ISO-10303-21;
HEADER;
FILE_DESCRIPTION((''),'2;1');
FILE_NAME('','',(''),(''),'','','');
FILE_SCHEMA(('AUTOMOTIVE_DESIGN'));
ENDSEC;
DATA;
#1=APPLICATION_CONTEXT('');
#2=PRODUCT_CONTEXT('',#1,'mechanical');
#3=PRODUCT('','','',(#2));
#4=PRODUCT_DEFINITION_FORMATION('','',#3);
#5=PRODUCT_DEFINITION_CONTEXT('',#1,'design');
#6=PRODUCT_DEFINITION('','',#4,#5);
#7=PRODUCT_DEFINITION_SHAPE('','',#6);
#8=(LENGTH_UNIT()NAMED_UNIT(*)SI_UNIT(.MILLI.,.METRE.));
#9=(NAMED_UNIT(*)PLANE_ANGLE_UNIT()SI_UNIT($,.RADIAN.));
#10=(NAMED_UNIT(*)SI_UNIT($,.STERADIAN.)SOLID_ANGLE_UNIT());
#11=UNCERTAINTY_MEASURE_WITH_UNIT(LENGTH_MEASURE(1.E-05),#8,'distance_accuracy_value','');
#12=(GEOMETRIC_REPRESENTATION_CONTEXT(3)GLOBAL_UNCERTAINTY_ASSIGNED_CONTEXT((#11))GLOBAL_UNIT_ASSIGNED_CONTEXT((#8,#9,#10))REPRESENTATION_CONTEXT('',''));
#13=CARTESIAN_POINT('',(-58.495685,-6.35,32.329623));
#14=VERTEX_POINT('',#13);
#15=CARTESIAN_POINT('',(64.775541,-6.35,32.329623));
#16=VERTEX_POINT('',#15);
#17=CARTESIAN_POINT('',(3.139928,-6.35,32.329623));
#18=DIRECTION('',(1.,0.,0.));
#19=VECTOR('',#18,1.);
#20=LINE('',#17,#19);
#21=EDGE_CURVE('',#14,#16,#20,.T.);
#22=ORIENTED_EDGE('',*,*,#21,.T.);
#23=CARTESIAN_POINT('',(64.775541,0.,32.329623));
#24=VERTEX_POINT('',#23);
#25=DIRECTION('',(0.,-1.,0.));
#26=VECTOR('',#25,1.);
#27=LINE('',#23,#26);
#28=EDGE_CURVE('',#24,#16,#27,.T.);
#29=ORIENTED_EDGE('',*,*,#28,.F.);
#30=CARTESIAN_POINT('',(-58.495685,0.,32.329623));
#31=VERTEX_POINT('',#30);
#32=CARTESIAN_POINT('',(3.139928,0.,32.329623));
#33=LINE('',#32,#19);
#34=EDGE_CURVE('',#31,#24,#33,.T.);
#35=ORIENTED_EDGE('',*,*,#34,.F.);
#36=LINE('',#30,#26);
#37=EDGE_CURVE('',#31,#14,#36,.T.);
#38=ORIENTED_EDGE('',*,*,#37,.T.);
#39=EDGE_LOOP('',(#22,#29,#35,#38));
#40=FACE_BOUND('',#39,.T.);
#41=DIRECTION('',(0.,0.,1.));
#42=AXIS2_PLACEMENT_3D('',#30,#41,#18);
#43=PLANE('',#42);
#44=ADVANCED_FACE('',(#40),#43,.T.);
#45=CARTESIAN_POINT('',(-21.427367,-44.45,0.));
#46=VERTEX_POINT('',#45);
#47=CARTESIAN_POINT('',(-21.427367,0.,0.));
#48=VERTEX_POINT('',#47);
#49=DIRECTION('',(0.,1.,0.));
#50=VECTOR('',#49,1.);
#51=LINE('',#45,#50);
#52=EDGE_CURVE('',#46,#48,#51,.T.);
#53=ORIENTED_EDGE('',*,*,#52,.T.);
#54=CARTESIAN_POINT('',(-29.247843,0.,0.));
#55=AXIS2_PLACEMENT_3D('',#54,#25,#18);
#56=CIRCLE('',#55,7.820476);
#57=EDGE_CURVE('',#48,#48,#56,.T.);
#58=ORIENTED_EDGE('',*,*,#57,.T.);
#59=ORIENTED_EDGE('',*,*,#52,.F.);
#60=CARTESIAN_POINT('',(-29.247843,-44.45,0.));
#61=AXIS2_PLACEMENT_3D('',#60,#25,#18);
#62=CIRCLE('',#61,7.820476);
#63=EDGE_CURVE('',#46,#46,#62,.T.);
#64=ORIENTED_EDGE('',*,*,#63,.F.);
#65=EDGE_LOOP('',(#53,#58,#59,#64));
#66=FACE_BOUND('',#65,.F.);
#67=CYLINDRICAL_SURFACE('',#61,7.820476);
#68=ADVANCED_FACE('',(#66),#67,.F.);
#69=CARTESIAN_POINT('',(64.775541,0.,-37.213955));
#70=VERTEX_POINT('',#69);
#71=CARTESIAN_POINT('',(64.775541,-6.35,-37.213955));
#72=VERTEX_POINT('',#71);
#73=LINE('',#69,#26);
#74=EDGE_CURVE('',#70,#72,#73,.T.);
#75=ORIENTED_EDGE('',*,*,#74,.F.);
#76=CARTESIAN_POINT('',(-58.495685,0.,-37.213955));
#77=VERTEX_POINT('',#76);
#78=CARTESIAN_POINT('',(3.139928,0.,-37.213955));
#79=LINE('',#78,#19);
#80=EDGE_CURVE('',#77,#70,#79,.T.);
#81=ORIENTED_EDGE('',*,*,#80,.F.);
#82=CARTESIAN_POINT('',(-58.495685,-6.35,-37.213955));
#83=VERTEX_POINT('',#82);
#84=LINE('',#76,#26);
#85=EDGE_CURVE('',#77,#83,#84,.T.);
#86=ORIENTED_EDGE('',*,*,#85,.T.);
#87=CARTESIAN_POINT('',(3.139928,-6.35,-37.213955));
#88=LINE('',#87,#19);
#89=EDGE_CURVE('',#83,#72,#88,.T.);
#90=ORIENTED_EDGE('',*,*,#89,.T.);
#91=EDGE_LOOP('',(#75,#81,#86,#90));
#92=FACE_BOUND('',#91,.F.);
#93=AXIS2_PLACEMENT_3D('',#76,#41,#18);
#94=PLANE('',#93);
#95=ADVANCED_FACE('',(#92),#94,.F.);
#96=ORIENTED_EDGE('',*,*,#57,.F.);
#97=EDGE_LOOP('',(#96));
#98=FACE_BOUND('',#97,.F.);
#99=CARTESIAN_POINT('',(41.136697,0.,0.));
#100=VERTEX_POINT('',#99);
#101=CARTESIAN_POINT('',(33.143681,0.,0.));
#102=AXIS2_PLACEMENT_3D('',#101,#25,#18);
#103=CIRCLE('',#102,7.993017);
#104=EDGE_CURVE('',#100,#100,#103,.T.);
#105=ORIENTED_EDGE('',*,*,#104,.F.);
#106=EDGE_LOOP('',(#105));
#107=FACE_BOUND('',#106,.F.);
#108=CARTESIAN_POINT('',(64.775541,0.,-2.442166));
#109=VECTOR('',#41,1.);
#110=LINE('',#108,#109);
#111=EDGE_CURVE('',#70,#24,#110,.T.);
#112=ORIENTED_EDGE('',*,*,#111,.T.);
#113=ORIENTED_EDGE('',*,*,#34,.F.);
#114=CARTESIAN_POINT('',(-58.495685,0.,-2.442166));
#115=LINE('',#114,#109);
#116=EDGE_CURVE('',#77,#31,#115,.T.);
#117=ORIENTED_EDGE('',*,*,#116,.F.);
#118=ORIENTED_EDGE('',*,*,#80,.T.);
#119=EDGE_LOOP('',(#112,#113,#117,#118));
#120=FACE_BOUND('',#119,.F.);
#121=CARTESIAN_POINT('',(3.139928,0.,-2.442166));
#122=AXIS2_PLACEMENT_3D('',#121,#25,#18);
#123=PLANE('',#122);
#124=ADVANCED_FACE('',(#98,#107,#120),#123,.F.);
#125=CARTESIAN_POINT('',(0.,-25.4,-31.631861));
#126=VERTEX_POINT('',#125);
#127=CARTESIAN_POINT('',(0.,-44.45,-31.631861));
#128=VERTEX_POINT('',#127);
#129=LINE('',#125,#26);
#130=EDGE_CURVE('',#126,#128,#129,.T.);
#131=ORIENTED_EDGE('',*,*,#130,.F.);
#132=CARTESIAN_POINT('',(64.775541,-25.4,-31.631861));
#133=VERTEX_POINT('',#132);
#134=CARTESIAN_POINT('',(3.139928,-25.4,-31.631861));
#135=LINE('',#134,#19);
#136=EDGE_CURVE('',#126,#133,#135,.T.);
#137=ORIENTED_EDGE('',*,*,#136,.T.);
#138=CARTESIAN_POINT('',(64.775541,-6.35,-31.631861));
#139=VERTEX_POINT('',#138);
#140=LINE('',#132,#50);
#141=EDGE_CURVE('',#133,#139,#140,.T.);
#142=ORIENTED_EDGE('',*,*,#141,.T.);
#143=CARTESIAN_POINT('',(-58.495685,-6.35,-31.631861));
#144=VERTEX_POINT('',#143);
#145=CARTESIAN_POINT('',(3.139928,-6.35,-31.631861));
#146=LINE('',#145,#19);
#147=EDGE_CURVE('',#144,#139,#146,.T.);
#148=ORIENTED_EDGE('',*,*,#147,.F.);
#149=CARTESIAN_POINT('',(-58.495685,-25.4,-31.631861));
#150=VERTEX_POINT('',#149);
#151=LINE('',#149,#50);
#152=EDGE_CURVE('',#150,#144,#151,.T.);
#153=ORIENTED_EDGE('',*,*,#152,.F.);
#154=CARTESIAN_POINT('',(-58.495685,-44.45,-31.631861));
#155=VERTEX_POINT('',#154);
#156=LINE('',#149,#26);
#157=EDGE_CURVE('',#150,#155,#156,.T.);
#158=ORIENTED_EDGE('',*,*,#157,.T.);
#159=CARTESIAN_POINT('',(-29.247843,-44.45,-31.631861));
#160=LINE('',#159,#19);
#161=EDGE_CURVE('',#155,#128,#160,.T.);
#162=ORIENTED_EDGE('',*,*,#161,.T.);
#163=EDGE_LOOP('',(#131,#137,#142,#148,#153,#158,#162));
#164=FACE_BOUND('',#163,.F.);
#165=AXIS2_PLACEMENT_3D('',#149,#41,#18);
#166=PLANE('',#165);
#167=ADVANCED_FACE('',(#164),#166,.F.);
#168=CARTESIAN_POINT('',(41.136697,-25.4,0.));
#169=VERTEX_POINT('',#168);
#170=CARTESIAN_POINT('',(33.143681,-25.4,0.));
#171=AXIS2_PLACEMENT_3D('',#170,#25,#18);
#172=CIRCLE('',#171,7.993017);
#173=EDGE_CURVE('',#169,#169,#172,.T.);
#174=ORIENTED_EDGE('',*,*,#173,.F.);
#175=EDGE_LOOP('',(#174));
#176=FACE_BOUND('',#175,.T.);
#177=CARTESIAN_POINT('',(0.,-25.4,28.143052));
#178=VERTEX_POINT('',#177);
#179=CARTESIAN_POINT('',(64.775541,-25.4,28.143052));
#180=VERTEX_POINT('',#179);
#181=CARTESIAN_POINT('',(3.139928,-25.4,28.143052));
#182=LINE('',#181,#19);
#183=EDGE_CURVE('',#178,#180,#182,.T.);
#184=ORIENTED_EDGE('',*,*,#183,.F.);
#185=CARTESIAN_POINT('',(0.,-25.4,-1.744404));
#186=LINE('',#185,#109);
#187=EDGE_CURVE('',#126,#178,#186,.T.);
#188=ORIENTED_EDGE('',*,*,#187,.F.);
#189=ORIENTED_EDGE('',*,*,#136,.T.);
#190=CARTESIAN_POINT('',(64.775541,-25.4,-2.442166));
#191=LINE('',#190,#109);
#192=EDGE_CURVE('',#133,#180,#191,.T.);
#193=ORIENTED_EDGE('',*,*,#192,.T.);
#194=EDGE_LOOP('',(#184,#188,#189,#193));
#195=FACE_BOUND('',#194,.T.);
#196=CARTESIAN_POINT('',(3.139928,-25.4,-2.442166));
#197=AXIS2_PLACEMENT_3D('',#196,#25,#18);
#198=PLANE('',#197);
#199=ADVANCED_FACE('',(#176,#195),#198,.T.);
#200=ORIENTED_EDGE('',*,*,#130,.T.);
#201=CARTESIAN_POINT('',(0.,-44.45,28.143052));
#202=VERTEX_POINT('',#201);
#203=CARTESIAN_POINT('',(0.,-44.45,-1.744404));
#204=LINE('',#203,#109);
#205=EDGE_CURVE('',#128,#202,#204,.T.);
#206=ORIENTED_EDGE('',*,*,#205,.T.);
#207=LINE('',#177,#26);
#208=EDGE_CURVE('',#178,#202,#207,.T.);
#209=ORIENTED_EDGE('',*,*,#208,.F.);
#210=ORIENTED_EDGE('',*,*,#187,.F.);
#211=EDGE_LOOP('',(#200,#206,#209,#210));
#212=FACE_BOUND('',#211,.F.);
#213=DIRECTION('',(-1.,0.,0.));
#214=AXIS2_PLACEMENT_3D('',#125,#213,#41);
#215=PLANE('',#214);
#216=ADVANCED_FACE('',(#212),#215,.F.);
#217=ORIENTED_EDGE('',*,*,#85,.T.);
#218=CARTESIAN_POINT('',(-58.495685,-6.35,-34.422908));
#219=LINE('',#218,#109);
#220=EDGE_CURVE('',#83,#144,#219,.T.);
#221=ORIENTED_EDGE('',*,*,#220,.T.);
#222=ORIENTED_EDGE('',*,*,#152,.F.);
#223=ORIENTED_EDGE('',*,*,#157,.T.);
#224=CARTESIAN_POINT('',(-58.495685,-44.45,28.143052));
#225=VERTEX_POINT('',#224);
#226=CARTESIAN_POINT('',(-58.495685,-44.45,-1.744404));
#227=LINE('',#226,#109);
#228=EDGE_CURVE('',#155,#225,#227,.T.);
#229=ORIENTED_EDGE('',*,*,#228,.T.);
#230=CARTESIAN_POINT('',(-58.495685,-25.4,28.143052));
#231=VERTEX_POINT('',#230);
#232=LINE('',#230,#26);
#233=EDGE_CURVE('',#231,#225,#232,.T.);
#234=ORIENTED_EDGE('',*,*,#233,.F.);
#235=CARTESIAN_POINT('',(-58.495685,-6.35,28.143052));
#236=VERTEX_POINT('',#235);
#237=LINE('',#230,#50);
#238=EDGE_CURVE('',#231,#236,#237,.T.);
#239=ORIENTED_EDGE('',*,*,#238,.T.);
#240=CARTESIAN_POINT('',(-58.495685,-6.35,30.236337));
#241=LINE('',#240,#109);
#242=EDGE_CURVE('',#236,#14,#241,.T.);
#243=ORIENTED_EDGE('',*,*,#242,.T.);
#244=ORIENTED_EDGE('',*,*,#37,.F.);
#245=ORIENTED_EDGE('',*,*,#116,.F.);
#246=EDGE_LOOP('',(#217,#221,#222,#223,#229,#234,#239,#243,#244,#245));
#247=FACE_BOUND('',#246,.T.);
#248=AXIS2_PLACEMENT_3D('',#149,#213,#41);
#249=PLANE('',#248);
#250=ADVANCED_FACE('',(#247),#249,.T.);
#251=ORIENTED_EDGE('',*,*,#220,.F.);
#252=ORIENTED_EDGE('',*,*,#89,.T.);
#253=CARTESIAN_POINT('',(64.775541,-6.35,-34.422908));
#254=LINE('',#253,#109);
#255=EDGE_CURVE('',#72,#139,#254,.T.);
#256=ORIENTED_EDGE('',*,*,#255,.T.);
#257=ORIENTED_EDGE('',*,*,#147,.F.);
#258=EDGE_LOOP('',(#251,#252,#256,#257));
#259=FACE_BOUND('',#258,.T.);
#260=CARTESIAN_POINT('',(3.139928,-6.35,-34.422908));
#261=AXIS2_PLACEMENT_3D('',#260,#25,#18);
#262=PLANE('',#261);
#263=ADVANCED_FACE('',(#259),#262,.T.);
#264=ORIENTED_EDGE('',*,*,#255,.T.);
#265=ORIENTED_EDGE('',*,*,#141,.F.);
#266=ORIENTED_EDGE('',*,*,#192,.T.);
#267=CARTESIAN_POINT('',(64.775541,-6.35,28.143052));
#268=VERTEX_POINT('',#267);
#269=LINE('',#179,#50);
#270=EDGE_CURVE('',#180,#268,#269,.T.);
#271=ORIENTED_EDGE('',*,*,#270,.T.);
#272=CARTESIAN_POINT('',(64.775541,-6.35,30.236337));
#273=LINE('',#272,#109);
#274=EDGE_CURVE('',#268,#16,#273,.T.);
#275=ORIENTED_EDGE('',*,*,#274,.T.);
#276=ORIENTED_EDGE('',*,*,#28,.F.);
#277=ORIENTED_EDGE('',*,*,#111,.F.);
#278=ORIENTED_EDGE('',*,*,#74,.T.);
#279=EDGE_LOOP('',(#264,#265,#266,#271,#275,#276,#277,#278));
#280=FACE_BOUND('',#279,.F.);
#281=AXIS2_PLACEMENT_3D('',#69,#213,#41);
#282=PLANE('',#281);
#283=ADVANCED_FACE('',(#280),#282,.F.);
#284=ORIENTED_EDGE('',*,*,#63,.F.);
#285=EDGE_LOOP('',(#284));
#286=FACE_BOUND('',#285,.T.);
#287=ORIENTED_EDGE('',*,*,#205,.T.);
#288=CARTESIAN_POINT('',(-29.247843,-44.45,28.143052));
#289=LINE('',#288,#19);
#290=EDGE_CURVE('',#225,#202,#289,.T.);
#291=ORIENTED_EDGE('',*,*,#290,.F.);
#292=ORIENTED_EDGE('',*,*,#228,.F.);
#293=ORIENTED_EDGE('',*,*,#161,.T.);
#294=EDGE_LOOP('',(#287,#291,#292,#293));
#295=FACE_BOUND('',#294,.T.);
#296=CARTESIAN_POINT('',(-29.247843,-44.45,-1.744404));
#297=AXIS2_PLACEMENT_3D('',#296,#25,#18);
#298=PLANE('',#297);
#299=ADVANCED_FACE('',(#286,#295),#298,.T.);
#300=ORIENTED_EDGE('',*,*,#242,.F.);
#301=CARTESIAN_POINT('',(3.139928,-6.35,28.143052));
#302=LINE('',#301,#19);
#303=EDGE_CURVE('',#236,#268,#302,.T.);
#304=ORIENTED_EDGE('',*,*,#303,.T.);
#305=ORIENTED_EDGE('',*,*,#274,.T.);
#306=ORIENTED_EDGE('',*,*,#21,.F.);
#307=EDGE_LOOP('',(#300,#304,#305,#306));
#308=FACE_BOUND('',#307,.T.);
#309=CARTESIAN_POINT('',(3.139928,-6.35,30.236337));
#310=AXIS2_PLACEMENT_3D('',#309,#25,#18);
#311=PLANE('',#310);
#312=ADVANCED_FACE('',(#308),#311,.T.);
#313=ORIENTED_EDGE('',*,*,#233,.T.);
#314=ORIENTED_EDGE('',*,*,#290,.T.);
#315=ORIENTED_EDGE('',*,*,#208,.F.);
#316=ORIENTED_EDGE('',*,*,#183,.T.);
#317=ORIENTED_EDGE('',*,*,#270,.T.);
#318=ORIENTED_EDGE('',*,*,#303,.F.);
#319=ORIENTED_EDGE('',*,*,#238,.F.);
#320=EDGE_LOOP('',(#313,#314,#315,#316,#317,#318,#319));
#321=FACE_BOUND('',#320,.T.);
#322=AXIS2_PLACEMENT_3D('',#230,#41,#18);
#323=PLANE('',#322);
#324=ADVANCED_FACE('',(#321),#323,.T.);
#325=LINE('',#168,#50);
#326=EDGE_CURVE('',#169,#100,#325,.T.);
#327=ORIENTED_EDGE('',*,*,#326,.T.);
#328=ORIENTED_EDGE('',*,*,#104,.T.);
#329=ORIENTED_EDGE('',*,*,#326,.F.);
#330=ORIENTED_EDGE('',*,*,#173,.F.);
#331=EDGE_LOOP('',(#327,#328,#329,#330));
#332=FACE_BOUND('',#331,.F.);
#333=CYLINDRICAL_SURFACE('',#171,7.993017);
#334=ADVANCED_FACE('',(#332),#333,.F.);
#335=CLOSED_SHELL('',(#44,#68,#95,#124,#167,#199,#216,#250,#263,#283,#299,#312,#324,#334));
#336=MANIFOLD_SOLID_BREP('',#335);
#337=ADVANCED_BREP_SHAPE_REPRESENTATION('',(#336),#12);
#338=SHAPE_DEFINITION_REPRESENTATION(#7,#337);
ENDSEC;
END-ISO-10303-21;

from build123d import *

# Parameters (mm, degrees)
F0_W     = 123.2712268829
F0_H     = 69.5435777307
F1_DEPTH = 25.4
F2_W     = 123.2712268829
F2_H     = 4.1865706444
F2_H_2   = 5.5820941925
F3_DEPTH = 19.05
F4_W     = 58.4956854582
F4_H     = 59.7749128938
F5_DEPTH = 19.05
F6_R     = 7.8204757045
F7_DEPTH = 84.836
F8_R     = 7.993016925
F9_DEPTH = 31.242


with BuildPart() as f1:
    # F0 (on Front) → F1 (new body)
    with BuildSketch(Plane.XZ):
        with Locations((3.1399279833, -2.4421662092)):
            Rectangle(F0_W, F0_H)
    extrude(amount=F1_DEPTH)

    # F2 (on face) → F3 (cut)
    with BuildSketch(Plane.XZ.offset(25.4)):
        with Locations((3.1399279833, 30.2363373339)):
            Rectangle(F2_W, F2_H)
        with Locations((3.1399279833, -34.4229079783)):
            Rectangle(F2_W, F2_H_2)
    extrude(amount=-F3_DEPTH, mode=Mode.SUBTRACT)

    # F4 (on face) → F5 (join)
    with BuildSketch(Plane.XZ.offset(25.4)):
        with Locations((-29.2478427291, -1.7444044352)):
            Rectangle(F4_W, F4_H)
    extrude(amount=F5_DEPTH)

    # F6 (on face) → F7 (cut)
    with BuildSketch(Plane.XZ.offset(44.45)):
        with Locations((-29.2478427291, 0)):
            Circle(F6_R)
    extrude(amount=-F7_DEPTH, mode=Mode.SUBTRACT)

    # F8 (on face) → F9 (cut)
    with BuildSketch(Plane.XZ.offset(25.4)):
        with Locations((33.1436805427, 0)):
            Circle(F8_R)
    extrude(amount=-F9_DEPTH, mode=Mode.SUBTRACT)


solid = f1.part
